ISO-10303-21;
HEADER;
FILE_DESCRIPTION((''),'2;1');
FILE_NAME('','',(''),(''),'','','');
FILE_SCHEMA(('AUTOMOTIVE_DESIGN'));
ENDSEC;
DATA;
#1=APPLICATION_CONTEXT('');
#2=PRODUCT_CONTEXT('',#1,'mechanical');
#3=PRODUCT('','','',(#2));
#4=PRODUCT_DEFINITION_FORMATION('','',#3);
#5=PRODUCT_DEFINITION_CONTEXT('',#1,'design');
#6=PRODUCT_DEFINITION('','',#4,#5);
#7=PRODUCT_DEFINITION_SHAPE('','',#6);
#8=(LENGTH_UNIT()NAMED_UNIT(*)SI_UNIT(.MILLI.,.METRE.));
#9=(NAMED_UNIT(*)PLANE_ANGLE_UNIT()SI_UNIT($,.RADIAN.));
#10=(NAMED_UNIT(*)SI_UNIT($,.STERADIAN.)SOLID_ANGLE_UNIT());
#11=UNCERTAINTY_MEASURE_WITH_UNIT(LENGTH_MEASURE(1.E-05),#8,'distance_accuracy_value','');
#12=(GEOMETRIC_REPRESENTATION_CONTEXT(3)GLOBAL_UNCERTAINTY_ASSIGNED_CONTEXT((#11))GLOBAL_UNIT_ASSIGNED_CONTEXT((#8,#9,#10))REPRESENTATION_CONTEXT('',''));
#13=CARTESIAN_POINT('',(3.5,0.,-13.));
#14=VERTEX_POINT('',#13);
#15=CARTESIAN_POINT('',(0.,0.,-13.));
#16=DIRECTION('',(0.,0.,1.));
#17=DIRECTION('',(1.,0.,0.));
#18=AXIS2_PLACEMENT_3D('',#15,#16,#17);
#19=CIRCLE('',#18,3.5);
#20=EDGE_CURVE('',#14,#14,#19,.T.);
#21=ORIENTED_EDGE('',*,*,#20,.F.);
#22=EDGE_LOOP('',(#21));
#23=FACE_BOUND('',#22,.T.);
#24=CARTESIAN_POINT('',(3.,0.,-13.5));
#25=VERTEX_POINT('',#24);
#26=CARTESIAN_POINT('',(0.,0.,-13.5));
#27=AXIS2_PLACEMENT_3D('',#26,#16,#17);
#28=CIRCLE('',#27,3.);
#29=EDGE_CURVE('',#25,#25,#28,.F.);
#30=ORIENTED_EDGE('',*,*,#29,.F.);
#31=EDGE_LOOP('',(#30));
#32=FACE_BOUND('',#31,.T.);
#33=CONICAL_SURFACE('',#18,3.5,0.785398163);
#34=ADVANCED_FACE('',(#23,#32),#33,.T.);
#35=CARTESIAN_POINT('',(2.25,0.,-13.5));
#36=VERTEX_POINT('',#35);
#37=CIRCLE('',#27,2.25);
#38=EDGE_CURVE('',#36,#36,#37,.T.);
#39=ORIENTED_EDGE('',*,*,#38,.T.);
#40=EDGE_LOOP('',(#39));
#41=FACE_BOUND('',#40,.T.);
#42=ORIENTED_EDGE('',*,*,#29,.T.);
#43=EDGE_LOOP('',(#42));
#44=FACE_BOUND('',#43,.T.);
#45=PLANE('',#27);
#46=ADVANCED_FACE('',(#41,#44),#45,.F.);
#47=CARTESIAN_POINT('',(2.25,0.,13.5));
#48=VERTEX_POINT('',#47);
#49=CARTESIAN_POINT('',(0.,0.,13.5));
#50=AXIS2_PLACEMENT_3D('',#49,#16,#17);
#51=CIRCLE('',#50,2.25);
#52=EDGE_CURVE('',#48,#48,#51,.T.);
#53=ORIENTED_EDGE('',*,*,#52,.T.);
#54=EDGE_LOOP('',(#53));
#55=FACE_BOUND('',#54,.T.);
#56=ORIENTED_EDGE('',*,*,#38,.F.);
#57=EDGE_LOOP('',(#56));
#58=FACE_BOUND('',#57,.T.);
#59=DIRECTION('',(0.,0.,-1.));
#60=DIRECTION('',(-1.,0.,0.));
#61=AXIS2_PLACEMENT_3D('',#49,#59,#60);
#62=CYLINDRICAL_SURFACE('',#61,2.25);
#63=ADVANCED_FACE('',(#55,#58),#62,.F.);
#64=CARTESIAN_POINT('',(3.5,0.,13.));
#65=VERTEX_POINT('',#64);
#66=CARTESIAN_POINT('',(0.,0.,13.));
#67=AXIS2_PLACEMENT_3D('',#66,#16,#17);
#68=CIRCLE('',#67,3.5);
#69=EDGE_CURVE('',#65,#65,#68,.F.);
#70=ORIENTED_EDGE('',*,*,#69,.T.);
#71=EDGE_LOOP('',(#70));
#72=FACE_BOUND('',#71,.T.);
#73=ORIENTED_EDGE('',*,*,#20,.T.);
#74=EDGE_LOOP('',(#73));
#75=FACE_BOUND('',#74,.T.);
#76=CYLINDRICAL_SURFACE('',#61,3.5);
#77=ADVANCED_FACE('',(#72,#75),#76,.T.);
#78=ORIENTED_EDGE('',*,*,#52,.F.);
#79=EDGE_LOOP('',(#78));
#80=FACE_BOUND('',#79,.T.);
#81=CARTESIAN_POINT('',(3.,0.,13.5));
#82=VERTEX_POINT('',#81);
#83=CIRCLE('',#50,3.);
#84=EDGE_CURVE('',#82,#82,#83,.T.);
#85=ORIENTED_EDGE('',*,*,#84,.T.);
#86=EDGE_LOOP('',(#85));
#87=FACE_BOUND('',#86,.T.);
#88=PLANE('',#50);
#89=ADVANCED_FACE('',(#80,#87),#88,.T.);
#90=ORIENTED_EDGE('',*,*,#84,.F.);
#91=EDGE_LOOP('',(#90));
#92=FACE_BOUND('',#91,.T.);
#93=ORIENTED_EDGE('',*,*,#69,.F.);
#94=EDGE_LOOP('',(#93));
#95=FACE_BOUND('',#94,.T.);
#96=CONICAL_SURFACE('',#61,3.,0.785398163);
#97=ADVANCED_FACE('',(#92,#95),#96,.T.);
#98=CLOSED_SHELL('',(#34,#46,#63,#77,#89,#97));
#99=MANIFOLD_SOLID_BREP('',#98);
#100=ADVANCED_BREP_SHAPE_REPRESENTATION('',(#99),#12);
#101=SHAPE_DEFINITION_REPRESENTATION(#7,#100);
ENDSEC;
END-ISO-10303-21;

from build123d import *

# Parameters (mm, degrees)
ESQUISSE1_R        = 3.5
ESQUISSE1_R_2      = 2.25
BOSS_EXTRU_1_DEPTH = 13.5
CHANFREIN1_SIZE    = 0.5


with BuildPart() as part:
    # Esquisse1 → Boss.-Extru.1 (new body, symmetric)
    with BuildSketch(Plane.XY):
        Circle(ESQUISSE1_R)
        Circle(ESQUISSE1_R_2, mode=Mode.SUBTRACT)
    extrude(amount=BOSS_EXTRU_1_DEPTH, both=True)

    # Chanfrein1
    chanfrein1_edges = [part.edges().sort_by_distance(p)[0] for p in [
        (-3.5, 0, -13.5),
        (-3.5, 0, 13.5),
    ]]
    chamfer(chanfrein1_edges, length=CHANFREIN1_SIZE)


solid = part.part
